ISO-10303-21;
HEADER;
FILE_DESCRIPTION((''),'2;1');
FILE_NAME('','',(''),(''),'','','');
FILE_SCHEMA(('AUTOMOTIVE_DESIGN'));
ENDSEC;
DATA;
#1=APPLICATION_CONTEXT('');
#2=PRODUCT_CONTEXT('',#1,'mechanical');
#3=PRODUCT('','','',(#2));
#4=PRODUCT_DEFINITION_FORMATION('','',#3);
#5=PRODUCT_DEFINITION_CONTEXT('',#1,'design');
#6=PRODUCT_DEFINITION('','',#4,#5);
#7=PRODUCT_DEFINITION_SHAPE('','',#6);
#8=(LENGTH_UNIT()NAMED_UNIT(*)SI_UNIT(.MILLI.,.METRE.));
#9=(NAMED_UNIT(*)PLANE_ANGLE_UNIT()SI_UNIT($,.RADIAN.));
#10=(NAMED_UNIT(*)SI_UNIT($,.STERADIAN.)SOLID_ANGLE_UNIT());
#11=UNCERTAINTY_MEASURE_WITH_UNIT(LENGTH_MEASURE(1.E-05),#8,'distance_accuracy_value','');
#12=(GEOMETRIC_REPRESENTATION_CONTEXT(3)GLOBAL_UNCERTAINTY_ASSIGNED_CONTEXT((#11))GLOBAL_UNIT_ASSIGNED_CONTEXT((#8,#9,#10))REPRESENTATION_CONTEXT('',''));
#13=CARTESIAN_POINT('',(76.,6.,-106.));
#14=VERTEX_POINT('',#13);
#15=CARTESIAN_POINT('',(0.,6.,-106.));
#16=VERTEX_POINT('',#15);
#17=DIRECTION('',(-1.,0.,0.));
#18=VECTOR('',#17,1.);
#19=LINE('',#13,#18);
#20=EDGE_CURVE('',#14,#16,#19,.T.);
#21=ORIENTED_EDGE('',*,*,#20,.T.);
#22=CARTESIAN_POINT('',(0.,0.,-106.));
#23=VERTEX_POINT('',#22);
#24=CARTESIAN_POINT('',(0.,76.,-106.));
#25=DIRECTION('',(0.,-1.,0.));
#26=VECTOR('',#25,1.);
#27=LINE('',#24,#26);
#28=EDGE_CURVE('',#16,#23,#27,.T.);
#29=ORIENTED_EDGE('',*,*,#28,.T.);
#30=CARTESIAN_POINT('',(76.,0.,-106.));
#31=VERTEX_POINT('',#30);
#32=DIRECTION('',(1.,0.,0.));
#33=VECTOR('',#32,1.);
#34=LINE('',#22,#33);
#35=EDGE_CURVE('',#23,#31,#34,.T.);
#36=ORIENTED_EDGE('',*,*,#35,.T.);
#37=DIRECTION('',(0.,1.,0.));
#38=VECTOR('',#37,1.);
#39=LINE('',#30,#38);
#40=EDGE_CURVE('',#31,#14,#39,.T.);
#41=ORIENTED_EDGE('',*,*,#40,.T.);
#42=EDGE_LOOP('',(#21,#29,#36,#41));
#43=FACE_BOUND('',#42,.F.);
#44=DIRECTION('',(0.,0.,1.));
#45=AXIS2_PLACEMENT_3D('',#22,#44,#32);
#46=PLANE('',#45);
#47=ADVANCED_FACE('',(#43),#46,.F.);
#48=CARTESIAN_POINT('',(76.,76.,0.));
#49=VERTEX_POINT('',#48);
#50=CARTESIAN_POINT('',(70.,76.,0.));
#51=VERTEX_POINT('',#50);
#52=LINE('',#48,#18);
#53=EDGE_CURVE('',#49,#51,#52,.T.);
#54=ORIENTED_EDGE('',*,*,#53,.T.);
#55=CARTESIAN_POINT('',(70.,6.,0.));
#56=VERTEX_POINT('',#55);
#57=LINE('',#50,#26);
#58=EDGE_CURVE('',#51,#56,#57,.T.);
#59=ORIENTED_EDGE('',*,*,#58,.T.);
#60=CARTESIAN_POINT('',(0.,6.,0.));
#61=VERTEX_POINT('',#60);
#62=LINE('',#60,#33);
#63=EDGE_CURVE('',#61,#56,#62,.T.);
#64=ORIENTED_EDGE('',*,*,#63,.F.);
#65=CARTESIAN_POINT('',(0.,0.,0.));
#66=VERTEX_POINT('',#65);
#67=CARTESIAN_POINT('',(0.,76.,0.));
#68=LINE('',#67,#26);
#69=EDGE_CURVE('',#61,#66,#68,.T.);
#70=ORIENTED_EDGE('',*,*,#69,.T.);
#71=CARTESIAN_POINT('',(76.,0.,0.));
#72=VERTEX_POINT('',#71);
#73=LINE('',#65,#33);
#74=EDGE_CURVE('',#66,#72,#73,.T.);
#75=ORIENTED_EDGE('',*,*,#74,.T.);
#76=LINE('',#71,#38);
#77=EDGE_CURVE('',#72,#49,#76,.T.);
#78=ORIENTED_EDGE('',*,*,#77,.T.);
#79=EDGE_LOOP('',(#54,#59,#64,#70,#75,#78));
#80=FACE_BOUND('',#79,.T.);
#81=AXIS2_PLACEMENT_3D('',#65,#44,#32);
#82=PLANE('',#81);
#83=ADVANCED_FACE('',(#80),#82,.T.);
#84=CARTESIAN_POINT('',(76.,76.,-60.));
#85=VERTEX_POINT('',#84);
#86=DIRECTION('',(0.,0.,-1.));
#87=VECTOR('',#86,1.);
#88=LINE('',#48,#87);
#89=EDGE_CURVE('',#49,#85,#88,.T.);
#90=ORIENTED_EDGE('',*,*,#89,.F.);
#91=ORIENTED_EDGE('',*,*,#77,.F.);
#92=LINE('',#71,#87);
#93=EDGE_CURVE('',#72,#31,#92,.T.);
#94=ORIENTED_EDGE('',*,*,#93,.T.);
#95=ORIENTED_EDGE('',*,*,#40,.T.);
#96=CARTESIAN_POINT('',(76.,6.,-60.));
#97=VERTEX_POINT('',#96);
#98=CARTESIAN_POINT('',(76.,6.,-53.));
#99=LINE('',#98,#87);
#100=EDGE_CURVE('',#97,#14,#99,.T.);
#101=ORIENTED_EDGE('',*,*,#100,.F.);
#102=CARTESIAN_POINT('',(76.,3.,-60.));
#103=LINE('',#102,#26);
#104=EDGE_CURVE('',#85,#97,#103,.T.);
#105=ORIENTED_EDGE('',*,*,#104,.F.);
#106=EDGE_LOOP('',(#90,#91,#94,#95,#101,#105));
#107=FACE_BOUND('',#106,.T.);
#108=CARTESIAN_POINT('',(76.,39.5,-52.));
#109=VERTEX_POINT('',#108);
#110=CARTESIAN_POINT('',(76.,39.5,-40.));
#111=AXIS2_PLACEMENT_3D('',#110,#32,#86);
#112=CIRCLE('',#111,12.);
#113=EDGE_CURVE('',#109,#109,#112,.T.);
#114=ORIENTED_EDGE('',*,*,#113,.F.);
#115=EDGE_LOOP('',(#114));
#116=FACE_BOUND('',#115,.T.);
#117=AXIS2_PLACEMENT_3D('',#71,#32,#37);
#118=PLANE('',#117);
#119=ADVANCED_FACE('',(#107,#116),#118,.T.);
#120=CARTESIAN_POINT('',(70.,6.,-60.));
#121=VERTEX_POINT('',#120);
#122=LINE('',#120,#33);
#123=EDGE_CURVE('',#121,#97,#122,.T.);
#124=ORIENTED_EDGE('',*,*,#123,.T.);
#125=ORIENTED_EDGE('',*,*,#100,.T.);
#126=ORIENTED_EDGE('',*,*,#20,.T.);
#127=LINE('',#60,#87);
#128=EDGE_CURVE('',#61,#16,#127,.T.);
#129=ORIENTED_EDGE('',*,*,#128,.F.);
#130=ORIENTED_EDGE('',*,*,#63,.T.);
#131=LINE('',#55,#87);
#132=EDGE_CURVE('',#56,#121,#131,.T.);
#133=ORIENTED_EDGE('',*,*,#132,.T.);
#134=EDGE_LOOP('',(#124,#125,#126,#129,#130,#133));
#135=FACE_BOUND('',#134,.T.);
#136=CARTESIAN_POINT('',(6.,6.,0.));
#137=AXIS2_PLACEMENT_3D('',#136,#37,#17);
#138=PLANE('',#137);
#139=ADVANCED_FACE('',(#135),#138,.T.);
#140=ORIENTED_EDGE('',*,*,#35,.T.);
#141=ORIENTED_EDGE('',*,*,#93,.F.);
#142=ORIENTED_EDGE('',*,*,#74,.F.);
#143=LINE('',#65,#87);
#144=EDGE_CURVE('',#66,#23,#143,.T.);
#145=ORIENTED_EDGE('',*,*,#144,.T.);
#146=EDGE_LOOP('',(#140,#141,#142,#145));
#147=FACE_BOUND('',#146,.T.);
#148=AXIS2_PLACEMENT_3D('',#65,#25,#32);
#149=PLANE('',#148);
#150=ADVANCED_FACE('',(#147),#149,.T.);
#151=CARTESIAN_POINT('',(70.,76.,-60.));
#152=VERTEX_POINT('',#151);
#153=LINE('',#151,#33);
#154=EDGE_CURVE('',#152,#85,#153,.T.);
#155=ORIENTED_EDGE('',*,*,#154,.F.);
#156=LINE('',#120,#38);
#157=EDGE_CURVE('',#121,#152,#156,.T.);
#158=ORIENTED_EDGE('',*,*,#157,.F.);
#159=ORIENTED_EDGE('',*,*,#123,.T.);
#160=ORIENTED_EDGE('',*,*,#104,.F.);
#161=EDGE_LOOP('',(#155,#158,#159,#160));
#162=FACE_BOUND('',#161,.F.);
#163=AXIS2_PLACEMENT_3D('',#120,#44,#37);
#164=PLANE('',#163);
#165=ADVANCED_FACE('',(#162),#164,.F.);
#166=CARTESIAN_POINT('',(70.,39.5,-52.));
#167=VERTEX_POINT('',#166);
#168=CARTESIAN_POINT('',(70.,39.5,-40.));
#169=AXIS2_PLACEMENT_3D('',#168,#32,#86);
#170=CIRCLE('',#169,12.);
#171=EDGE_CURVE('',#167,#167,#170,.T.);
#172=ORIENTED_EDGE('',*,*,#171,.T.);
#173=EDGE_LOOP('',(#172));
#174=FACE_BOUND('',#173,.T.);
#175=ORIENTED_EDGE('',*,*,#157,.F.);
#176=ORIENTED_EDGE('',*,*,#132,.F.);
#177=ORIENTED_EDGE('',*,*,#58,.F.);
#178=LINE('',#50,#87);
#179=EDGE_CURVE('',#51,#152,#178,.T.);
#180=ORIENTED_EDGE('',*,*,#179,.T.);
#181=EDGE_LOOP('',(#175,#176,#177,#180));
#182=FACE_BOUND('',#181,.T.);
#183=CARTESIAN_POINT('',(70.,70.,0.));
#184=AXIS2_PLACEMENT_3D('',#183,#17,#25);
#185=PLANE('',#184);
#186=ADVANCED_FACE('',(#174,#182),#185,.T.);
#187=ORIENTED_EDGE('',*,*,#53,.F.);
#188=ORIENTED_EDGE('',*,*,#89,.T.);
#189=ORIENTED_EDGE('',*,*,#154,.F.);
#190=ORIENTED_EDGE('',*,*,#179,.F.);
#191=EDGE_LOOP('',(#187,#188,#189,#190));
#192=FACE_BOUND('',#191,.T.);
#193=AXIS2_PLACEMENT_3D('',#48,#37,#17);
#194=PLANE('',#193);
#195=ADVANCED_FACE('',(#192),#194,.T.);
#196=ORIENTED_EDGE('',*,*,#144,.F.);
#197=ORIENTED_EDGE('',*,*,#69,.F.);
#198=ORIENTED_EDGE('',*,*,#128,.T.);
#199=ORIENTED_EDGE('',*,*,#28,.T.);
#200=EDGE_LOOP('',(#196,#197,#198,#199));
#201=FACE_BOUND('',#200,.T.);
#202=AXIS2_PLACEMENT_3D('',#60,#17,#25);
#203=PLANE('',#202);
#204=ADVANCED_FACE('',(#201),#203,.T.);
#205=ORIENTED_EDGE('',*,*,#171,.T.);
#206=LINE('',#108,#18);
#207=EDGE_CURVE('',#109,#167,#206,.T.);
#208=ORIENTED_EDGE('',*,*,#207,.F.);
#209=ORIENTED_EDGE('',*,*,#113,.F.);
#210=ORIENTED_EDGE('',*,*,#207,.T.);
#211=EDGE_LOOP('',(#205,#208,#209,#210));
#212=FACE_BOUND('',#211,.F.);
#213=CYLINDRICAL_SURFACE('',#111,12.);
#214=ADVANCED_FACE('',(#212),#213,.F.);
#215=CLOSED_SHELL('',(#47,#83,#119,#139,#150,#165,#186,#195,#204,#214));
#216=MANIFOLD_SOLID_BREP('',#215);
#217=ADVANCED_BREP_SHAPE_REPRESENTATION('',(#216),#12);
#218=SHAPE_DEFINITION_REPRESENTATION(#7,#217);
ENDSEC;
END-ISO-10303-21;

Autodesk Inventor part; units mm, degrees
ref_plane "YZ Plane" through (0, 0, 0) normal (1, 0, 0) x (0, 1, 0)
ref_plane "XZ Plane" through (0, 0, 0) normal (0, 1, 0) x (-1, 0, 0)
ref_plane "XY Plane" through (0, 0, 0) normal (0, 0, 1) x (1, 0, 0)
sketch "Sketch1" plane through (0, 0, 0) normal (0, 0, 1) x (1, 0, 0)
  point P0 (0, 0)
sketch "Sketch2" plane through (0, 0, 0) normal (0, 0, 1) x (1, 0, 0)
  line L0 (0, 0) -> (76, 0)
  line L1 (76, 0) -> (76, 76)
  line L2 (76, 76) -> (0, 76)
  line L3 (0, 76) -> (0, 0)
  line L4 (70, 6) -> (6, 6)
  line L5 (6, 6) -> (6, 70)
  line L6 (6, 70) -> (70, 70)
  line L7 (70, 70) -> (70, 6)
  line L8 (6, 6) -> (0, 6)
  line L9 (70, 70) -> (70, 76)
  dimension "d0" = 76
  dimension "d1" = 76
  dimension "d2" = 6
extrude "Extrusion1" add sketch "Sketch2" against normal blind 106 contours L3 L8 L4 L7 L9 L2 L1 L0
sketch "Sketch3" plane through (76, 76, 0) normal (1, 0, 0) x (0, 0, -1)
  line L0 (106, 0) -> (106, -76) projected
  line L1 (0, 0) -> (106, 0) projected
  line L2 (0, -76) -> (0, 0) projected
  circle A0 centre (40, -36.5) radius 12
  line L3 (0, -76) -> (106, -76) projected
  dimension "d6" = 24
  dimension "d7" = 40
extrude "Extrusion2" cut sketch "Sketch3" against normal blind 76 contours A0
sketch "Sketch5" plane through (70, 76, -106) normal (-1, 0, 0) x (0, 0, 1)
  line L0 (0, -70) -> (106, -70) projected
  line L1 (106, 0) -> (0, 0) projected
  line L2 (106, -70) -> (46, -70)
  line L3 (46, -70) -> (46, 0)
  line L4 (46, 0) -> (106, 0)
  line L5 (106, 0) -> (106, -70)
  line L6 (0, -70) -> (0, 0) projected
  line L7 (0, 0) -> (46, 0)
  line L8 (46, 0) -> (46, -70)
  line L9 (46, -70) -> (0, -70)
  line L10 (0, -70) -> (0, 0)
  point P0 (106, -76)
  dimension "d23" = 60
extrude "Extrusion3" cut sketch "Sketch5" against normal blind 10 contours L6 L1 L3 L0
properties part number "P005" material "Aluminum 6061"
